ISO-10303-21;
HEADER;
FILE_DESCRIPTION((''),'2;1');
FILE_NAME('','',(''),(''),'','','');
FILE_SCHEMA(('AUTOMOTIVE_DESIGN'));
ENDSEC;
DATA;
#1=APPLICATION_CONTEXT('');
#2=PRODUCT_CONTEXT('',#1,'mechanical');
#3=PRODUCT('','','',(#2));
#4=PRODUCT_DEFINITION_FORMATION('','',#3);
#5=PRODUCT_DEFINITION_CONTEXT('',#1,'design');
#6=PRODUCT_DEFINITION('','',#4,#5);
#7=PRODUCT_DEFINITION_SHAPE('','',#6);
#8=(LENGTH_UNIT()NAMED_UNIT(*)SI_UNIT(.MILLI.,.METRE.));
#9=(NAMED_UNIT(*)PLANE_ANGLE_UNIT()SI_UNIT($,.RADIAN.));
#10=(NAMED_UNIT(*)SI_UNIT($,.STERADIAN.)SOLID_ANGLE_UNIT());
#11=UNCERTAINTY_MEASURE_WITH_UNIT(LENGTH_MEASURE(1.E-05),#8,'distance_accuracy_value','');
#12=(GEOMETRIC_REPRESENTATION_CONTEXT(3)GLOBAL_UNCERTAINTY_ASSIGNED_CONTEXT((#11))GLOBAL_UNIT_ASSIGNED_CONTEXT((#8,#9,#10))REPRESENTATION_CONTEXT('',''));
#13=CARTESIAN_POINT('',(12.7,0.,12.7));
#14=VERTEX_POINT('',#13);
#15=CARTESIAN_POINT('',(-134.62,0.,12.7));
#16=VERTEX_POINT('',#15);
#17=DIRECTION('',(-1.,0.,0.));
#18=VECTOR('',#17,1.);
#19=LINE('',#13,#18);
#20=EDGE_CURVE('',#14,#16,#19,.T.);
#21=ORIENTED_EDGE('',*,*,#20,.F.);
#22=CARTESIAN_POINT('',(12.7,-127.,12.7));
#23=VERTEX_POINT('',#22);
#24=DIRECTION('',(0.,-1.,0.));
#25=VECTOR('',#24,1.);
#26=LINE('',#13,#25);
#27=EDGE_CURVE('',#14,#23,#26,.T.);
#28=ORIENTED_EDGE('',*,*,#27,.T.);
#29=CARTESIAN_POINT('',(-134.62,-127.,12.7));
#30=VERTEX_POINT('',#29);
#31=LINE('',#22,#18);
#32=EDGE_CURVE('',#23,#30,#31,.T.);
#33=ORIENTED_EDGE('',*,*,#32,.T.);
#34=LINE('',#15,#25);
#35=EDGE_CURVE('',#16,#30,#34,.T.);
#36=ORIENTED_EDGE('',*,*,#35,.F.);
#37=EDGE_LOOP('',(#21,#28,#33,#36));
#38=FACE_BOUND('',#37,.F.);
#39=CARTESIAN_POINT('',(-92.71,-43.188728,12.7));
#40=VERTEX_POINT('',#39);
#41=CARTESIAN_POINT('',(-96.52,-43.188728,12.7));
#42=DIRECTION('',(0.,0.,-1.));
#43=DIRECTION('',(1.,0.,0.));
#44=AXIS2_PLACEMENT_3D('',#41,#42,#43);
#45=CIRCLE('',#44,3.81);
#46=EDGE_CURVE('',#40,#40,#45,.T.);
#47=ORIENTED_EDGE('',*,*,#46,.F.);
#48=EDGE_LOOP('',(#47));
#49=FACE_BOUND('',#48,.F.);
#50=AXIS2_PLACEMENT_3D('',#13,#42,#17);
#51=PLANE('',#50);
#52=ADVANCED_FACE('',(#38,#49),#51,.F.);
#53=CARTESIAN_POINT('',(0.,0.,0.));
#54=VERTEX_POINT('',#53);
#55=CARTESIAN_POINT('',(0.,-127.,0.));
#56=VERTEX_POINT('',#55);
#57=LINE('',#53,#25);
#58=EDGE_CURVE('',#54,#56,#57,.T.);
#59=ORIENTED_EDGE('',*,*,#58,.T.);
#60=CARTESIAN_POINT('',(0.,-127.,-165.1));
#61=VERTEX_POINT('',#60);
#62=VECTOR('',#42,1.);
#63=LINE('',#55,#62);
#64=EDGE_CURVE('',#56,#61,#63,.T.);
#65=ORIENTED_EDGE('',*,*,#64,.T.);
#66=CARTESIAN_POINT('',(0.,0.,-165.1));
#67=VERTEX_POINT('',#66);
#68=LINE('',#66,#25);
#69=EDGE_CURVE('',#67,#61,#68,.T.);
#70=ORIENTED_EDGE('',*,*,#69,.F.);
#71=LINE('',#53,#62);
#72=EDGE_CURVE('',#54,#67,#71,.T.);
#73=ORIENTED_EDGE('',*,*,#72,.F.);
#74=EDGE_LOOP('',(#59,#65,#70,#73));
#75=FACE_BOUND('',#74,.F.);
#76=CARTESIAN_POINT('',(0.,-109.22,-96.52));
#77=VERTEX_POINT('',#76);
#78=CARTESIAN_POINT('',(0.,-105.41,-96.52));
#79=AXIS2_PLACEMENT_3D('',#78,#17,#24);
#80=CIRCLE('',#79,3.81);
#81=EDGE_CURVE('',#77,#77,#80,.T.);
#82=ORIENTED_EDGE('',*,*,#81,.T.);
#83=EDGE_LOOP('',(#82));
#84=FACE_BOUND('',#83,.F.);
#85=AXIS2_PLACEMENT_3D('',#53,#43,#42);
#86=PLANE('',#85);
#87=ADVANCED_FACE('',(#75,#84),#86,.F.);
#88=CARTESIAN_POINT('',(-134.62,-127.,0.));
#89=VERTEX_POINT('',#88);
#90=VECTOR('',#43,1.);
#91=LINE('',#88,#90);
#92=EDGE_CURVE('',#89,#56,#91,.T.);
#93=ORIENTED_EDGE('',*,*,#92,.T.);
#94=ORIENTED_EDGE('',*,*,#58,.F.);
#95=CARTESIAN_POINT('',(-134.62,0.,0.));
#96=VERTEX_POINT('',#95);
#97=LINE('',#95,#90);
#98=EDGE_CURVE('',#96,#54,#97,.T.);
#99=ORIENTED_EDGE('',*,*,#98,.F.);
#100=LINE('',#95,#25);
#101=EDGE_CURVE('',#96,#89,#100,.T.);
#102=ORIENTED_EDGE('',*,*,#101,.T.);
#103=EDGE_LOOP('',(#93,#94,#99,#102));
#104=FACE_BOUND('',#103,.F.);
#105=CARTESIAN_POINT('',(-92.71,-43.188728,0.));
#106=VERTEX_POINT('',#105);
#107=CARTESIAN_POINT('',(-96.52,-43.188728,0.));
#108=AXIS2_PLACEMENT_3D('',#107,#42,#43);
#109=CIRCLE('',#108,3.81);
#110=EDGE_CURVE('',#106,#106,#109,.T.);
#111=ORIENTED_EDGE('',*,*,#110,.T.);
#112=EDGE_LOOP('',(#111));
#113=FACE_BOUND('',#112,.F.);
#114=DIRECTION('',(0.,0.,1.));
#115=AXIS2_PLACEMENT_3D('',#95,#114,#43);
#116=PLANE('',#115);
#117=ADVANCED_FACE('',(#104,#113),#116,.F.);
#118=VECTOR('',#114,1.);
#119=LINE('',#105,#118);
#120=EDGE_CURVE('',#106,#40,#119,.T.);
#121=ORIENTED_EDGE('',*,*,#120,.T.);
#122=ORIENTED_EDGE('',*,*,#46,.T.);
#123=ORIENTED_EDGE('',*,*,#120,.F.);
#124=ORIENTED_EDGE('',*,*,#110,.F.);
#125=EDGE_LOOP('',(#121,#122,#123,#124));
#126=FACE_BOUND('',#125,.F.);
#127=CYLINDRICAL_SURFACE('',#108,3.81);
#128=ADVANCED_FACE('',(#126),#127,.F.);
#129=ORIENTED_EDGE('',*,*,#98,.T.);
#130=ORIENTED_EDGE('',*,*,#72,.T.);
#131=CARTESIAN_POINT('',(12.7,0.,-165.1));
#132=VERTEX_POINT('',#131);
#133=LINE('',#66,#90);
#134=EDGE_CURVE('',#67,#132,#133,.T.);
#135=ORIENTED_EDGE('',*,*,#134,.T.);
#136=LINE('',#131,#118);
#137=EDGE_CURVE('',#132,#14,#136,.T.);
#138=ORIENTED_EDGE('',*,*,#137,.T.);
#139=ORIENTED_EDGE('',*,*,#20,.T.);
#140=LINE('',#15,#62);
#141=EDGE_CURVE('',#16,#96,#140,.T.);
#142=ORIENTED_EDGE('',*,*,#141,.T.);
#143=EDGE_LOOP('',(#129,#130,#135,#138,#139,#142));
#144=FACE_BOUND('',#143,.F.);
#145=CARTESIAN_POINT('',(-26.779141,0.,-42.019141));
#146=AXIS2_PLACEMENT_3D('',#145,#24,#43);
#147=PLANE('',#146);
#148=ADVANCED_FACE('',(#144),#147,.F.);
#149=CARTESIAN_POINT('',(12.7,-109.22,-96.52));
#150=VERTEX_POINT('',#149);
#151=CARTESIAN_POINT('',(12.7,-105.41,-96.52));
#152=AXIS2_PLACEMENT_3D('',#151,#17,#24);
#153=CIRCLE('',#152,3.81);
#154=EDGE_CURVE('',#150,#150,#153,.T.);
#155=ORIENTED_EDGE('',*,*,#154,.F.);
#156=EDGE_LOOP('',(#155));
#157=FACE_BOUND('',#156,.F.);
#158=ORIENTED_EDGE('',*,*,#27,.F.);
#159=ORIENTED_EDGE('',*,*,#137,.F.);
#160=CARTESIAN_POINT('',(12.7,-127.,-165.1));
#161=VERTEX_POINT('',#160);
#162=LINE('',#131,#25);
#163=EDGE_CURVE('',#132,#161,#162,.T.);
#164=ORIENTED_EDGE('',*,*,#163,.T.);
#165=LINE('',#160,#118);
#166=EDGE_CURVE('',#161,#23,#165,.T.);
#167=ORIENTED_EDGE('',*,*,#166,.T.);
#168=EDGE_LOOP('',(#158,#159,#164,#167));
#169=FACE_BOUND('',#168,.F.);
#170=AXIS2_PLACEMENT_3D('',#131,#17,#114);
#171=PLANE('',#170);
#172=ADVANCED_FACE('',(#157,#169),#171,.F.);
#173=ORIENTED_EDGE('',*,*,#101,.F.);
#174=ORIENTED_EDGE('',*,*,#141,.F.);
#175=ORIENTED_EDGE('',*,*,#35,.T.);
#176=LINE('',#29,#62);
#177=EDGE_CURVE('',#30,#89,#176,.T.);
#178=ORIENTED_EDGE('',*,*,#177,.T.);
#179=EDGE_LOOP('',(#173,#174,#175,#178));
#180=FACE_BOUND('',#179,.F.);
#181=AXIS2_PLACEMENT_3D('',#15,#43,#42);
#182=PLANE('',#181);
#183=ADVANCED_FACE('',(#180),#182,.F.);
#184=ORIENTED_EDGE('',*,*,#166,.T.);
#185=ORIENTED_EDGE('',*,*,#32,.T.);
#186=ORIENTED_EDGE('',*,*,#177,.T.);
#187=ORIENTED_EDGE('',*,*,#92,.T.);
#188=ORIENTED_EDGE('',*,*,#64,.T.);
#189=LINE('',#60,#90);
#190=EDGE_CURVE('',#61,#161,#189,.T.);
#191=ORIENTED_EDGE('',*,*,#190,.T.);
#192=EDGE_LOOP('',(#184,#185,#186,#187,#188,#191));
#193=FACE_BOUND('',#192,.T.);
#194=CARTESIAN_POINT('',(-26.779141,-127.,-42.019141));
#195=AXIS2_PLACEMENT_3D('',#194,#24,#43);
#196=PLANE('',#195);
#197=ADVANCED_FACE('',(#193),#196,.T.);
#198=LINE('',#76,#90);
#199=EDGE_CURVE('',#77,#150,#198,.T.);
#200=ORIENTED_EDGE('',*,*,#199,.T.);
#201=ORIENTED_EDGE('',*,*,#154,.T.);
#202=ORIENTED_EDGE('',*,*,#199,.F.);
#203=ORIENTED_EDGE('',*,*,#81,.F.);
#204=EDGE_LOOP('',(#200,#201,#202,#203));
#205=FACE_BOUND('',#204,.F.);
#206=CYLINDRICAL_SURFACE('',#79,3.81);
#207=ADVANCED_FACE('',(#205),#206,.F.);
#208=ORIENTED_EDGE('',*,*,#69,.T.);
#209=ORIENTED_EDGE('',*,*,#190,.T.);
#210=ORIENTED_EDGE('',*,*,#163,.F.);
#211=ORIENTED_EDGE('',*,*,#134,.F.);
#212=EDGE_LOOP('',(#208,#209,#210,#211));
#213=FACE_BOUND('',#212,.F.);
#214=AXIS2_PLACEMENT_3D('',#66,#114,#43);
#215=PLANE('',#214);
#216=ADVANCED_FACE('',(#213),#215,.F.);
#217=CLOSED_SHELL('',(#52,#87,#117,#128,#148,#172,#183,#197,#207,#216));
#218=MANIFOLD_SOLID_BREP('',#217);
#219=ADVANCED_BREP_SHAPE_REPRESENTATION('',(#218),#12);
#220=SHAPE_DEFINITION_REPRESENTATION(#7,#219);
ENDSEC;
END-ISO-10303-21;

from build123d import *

# Parameters (mm, degrees)
F1_DEPTH = 127
F2_R     = 3.81
F3_DEPTH = 25.4
F4_R     = 3.81
F5_DEPTH = 25.4


with BuildPart() as f1:
    # F0 (on Front) → F1 (new body)
    with BuildSketch(Plane.XZ):
        Polygon((-134.62, 0), (0, 0), (0, -165.1), (12.7, -165.1), (12.7, 12.7), (-134.62, 12.7), align=None)
    extrude(amount=F1_DEPTH)

    # F2 (on face) → F3 (cut)
    with BuildSketch(Plane(origin=(0, 0, 0), x_dir=(1, 0, 0), z_dir=(0, 0, -1))):
        with Locations((-96.52, 43.188728)):
            Circle(F2_R)
    extrude(amount=-F3_DEPTH, mode=Mode.SUBTRACT)

    # F4 (on face) → F5 (cut)
    with BuildSketch(Plane(origin=(0, 0, 0), x_dir=(0, -1, 0), z_dir=(-1, 0, 0))):
        with Locations((105.41, -96.52)):
            Circle(F4_R)
    extrude(amount=-F5_DEPTH, mode=Mode.SUBTRACT)


solid = f1.part
